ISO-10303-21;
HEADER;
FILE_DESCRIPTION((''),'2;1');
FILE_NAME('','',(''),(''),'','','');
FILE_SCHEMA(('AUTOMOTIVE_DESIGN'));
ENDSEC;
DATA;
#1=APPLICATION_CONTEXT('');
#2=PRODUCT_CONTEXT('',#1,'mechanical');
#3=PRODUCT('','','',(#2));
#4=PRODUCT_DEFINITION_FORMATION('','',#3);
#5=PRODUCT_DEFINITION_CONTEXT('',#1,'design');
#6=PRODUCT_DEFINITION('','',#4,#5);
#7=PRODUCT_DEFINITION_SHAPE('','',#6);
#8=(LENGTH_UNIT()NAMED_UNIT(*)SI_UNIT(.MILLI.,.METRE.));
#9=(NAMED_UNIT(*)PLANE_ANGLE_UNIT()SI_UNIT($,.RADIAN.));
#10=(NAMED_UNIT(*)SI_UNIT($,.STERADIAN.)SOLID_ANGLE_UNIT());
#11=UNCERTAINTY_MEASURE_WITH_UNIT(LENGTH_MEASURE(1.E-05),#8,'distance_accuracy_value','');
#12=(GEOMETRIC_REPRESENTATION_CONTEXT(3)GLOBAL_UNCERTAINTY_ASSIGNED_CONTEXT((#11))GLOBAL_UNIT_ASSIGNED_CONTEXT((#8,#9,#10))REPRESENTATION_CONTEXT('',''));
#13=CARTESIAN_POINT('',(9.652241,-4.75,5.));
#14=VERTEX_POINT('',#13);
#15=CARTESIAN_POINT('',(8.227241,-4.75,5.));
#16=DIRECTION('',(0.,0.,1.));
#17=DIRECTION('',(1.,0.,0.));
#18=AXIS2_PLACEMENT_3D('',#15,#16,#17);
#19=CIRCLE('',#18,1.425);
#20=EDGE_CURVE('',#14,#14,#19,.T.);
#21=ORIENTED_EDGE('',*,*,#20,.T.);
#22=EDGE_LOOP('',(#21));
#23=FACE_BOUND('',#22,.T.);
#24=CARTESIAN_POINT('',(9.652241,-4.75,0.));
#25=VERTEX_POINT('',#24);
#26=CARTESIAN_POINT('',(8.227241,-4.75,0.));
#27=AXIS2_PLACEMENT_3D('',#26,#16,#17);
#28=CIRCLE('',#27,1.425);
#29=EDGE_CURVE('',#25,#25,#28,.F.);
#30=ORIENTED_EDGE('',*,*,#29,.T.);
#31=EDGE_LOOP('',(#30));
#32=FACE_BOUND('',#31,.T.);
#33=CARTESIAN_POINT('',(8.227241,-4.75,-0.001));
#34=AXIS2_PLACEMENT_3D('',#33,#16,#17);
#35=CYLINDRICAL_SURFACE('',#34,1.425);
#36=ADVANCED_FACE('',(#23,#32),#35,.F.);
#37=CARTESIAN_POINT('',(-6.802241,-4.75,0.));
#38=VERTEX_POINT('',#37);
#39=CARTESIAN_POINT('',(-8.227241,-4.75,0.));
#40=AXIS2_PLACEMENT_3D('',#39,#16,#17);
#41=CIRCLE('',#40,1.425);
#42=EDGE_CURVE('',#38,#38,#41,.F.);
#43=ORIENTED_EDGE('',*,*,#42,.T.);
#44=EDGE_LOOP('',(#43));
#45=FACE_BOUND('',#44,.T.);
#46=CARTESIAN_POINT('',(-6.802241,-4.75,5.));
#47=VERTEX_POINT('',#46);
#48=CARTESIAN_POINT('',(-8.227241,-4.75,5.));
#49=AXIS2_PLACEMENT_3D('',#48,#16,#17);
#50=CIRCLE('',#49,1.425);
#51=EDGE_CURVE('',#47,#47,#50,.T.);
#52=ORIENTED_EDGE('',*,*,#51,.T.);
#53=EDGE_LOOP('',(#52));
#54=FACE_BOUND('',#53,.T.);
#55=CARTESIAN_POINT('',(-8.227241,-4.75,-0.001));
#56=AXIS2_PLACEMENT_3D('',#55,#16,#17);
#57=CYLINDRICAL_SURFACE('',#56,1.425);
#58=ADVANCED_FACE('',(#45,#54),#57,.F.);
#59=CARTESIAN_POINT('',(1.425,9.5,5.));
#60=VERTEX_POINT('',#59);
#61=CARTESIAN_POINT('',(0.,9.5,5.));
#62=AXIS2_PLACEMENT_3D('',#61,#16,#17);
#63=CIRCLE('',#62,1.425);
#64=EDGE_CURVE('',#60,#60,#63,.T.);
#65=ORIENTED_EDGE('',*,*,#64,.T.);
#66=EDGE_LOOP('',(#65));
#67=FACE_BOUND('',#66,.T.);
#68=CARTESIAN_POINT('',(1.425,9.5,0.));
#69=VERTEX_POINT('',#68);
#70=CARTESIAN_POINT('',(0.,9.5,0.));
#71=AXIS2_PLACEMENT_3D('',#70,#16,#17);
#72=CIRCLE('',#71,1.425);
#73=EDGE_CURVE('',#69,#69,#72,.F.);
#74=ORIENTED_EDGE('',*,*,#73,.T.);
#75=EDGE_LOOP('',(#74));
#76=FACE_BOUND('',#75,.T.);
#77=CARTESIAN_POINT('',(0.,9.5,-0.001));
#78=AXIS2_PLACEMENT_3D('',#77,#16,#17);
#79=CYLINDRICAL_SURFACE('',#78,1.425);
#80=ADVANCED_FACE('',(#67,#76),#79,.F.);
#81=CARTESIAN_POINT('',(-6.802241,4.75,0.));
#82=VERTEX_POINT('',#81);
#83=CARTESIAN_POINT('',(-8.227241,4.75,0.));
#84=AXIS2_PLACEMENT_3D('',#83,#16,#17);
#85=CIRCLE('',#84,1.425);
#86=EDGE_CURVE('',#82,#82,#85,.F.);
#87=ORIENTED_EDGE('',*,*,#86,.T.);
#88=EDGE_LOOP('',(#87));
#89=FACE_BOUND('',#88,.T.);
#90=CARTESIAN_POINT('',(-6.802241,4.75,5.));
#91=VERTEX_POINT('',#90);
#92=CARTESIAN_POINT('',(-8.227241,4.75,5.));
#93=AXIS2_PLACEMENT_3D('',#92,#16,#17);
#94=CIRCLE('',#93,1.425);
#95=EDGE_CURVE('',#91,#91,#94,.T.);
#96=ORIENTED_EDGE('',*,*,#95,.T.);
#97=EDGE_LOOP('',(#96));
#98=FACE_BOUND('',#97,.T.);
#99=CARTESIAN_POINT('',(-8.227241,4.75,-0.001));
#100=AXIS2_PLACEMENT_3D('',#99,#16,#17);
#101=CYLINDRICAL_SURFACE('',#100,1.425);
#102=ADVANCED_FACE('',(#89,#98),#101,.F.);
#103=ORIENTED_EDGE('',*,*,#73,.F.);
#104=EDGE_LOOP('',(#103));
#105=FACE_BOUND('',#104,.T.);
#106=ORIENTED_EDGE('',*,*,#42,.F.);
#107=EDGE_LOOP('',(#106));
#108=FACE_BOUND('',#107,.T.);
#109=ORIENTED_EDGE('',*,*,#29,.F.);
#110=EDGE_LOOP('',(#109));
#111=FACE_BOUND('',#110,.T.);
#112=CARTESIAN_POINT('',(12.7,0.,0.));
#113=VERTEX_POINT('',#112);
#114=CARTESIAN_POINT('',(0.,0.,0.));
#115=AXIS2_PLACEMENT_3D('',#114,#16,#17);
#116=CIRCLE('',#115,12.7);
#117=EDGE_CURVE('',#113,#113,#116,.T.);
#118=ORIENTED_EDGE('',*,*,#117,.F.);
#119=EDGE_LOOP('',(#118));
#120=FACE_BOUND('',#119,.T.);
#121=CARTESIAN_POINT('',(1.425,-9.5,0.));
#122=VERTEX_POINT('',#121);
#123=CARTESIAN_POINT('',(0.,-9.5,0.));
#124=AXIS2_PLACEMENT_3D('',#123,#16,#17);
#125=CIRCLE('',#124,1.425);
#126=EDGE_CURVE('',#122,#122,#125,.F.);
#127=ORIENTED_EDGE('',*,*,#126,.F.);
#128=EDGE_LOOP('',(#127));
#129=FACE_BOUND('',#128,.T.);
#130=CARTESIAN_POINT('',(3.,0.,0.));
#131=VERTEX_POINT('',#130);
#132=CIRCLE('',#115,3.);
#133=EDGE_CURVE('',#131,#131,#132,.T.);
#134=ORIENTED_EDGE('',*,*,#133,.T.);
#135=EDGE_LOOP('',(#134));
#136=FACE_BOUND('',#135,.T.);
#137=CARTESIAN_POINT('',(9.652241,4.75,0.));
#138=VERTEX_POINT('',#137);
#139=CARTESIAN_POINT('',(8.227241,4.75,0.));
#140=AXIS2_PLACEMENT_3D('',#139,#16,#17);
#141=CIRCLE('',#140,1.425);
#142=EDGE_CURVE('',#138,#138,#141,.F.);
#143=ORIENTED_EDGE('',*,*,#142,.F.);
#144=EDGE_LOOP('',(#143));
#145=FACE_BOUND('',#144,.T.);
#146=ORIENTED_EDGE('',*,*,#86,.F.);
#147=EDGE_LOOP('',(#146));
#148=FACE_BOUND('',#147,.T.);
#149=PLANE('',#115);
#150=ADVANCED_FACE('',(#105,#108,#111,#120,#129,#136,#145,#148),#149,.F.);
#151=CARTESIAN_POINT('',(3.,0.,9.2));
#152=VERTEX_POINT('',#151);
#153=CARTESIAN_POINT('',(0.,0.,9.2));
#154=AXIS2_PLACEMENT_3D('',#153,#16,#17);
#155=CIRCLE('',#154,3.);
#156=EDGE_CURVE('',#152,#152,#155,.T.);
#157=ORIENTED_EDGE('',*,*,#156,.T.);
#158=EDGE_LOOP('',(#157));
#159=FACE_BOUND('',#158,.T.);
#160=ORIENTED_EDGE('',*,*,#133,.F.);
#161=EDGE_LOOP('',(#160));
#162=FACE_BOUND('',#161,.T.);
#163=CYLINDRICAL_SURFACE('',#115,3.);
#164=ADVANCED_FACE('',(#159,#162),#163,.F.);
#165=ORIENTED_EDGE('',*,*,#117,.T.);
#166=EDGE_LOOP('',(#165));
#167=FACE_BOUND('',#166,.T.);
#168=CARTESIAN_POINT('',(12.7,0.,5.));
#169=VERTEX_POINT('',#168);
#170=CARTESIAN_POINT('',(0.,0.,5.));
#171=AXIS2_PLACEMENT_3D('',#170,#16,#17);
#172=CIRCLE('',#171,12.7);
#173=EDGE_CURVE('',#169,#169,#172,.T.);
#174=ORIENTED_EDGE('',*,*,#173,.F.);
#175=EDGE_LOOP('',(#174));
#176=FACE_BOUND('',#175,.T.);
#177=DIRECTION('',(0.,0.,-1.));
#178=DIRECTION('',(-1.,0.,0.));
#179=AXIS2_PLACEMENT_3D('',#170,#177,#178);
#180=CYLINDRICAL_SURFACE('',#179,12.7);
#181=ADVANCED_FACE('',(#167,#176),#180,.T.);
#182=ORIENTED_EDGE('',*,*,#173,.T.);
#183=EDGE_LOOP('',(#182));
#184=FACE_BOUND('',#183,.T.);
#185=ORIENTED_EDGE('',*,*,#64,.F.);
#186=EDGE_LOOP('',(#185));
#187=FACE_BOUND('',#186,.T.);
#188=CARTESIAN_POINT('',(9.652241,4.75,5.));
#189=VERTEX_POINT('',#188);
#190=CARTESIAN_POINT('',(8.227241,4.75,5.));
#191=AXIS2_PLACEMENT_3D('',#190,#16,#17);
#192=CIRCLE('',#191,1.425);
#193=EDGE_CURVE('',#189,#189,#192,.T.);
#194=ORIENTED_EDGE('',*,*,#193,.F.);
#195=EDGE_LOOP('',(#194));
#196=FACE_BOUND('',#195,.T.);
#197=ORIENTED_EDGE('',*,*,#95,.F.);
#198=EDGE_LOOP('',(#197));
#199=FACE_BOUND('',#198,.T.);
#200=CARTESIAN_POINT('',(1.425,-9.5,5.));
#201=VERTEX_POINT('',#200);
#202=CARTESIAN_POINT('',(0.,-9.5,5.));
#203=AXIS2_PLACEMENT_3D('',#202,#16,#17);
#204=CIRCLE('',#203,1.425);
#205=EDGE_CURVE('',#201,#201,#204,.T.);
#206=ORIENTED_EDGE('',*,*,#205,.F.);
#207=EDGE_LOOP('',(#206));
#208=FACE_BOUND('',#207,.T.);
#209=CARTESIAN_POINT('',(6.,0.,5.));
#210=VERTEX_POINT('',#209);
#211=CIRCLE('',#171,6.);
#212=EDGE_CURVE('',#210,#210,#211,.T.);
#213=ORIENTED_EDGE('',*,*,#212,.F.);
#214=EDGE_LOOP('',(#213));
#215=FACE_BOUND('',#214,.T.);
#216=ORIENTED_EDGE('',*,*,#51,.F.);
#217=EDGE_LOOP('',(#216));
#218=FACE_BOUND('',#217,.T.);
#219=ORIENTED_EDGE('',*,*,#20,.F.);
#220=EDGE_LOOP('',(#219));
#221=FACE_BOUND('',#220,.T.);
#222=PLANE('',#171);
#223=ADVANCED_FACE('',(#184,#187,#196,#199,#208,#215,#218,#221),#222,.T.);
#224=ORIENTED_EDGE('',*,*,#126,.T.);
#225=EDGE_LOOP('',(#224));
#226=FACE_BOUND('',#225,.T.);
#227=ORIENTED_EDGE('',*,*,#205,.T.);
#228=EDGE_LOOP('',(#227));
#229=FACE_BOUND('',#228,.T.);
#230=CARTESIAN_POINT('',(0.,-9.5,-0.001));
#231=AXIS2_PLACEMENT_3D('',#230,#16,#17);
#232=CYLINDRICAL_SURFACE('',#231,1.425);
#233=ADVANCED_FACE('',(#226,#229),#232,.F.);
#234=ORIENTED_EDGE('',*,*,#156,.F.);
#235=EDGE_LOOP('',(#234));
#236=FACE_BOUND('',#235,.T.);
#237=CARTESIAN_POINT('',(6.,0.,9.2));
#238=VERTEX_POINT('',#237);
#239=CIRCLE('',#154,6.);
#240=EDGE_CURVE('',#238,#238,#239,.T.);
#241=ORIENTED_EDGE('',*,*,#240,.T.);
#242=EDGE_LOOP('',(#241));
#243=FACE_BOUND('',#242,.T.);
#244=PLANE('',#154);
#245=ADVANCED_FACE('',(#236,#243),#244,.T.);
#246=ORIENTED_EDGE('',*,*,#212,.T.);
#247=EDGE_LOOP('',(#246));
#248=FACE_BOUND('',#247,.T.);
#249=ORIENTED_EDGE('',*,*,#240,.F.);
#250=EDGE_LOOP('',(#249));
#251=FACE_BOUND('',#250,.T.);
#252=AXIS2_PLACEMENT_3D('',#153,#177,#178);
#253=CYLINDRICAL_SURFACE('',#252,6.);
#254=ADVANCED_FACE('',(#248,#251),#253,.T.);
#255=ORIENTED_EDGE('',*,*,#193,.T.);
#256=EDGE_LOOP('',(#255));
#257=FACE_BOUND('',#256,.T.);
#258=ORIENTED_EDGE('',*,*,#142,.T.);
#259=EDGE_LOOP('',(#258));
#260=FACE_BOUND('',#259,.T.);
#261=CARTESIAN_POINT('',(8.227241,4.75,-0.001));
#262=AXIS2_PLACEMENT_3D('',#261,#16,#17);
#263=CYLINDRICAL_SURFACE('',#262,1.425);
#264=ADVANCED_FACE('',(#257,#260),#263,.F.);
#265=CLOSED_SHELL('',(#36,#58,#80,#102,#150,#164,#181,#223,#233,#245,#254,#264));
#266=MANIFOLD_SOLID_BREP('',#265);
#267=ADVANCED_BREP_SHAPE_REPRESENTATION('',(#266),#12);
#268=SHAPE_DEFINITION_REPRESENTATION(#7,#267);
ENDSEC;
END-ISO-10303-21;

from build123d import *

# Parameters (mm, degrees)
SKETCH1_R               = 12.7
BOSS_EXTRUDE1_DEPTH     = 5
SKETCH2_R               = 6
BOSS_EXTRUDE2_DEPTH     = 4.2
CUT_EXTRUDE1_REACH      = 20.643
SKETCH3_R               = 1.425
CUT_EXTRUDE2_DEPTH      = 21.179692763
CUT_EXTRUDE2_DEPTH_BACK = 21.179692763
SKETCH4_R               = 3


with BuildPart() as part:
    # Sketch1 → Boss-Extrude1 (new body)
    with BuildSketch(Plane.XY):
        Circle(SKETCH1_R)
    extrude(amount=BOSS_EXTRUDE1_DEPTH)

    # Sketch2 → Boss-Extrude2 (add)
    with BuildSketch(Plane.XY.offset(5)):
        Circle(SKETCH2_R)
    extrude(amount=BOSS_EXTRUDE2_DEPTH)

    # Sketch3 → Cut-Extrude1 (cut, up to next)
    with BuildSketch(Plane.XY.offset(5), mode=Mode.PRIVATE) as cut_extrude1_sk1:
        with Locations((0, 9.5)):
            Circle(SKETCH3_R)
    cut_extrude1_tool1 = extrude(cut_extrude1_sk1.sketch, amount=-CUT_EXTRUDE1_REACH, mode=Mode.PRIVATE) & part.part
    # Sketch3 → Cut-Extrude1 (cut, up to next)
    with BuildSketch(Plane.XY.offset(5), mode=Mode.PRIVATE) as cut_extrude1_sk2:
        with Locations((-8.227241336, 4.75)):
            Circle(SKETCH3_R)
    cut_extrude1_tool2 = extrude(cut_extrude1_sk2.sketch, amount=-CUT_EXTRUDE1_REACH, mode=Mode.PRIVATE) & part.part
    # Sketch3 → Cut-Extrude1 (cut, up to next)
    with BuildSketch(Plane.XY.offset(5), mode=Mode.PRIVATE) as cut_extrude1_sk3:
        with Locations((-8.227241336, -4.75)):
            Circle(SKETCH3_R)
    cut_extrude1_tool3 = extrude(cut_extrude1_sk3.sketch, amount=-CUT_EXTRUDE1_REACH, mode=Mode.PRIVATE) & part.part
    # Sketch3 → Cut-Extrude1 (cut, up to next)
    with BuildSketch(Plane.XY.offset(5), mode=Mode.PRIVATE) as cut_extrude1_sk4:
        with Locations((0, -9.5)):
            Circle(SKETCH3_R)
    cut_extrude1_tool4 = extrude(cut_extrude1_sk4.sketch, amount=-CUT_EXTRUDE1_REACH, mode=Mode.PRIVATE) & part.part
    # Sketch3 → Cut-Extrude1 (cut, up to next)
    with BuildSketch(Plane.XY.offset(5), mode=Mode.PRIVATE) as cut_extrude1_sk5:
        with Locations((8.227241336, -4.75)):
            Circle(SKETCH3_R)
    cut_extrude1_tool5 = extrude(cut_extrude1_sk5.sketch, amount=-CUT_EXTRUDE1_REACH, mode=Mode.PRIVATE) & part.part
    # Sketch3 → Cut-Extrude1 (cut, up to next)
    with BuildSketch(Plane.XY.offset(5), mode=Mode.PRIVATE) as cut_extrude1_sk6:
        with Locations((8.227241336, 4.75)):
            Circle(SKETCH3_R)
    cut_extrude1_tool6 = extrude(cut_extrude1_sk6.sketch, amount=-CUT_EXTRUDE1_REACH, mode=Mode.PRIVATE) & part.part
    add(cut_extrude1_tool1.solids().sort_by_distance((0, 9.5, 5))[0], mode=Mode.SUBTRACT)
    add(cut_extrude1_tool2.solids().sort_by_distance((-8.227241, 4.75, 5))[0], mode=Mode.SUBTRACT)
    add(cut_extrude1_tool3.solids().sort_by_distance((-8.227241, -4.75, 5))[0], mode=Mode.SUBTRACT)
    add(cut_extrude1_tool4.solids().sort_by_distance((0, -9.5, 5))[0], mode=Mode.SUBTRACT)
    add(cut_extrude1_tool5.solids().sort_by_distance((8.227241, -4.75, 5))[0], mode=Mode.SUBTRACT)
    add(cut_extrude1_tool6.solids().sort_by_distance((8.227241, 4.75, 5))[0], mode=Mode.SUBTRACT)

    # Sketch4 → Cut-Extrude2 (cut, two sides: drawn at the far end of the back side and taken through both)
    with BuildSketch(Plane.XY.offset(9.2).offset(-CUT_EXTRUDE2_DEPTH_BACK)):
        Circle(SKETCH4_R)
    extrude(amount=CUT_EXTRUDE2_DEPTH + CUT_EXTRUDE2_DEPTH_BACK, mode=Mode.SUBTRACT)


solid = part.part
